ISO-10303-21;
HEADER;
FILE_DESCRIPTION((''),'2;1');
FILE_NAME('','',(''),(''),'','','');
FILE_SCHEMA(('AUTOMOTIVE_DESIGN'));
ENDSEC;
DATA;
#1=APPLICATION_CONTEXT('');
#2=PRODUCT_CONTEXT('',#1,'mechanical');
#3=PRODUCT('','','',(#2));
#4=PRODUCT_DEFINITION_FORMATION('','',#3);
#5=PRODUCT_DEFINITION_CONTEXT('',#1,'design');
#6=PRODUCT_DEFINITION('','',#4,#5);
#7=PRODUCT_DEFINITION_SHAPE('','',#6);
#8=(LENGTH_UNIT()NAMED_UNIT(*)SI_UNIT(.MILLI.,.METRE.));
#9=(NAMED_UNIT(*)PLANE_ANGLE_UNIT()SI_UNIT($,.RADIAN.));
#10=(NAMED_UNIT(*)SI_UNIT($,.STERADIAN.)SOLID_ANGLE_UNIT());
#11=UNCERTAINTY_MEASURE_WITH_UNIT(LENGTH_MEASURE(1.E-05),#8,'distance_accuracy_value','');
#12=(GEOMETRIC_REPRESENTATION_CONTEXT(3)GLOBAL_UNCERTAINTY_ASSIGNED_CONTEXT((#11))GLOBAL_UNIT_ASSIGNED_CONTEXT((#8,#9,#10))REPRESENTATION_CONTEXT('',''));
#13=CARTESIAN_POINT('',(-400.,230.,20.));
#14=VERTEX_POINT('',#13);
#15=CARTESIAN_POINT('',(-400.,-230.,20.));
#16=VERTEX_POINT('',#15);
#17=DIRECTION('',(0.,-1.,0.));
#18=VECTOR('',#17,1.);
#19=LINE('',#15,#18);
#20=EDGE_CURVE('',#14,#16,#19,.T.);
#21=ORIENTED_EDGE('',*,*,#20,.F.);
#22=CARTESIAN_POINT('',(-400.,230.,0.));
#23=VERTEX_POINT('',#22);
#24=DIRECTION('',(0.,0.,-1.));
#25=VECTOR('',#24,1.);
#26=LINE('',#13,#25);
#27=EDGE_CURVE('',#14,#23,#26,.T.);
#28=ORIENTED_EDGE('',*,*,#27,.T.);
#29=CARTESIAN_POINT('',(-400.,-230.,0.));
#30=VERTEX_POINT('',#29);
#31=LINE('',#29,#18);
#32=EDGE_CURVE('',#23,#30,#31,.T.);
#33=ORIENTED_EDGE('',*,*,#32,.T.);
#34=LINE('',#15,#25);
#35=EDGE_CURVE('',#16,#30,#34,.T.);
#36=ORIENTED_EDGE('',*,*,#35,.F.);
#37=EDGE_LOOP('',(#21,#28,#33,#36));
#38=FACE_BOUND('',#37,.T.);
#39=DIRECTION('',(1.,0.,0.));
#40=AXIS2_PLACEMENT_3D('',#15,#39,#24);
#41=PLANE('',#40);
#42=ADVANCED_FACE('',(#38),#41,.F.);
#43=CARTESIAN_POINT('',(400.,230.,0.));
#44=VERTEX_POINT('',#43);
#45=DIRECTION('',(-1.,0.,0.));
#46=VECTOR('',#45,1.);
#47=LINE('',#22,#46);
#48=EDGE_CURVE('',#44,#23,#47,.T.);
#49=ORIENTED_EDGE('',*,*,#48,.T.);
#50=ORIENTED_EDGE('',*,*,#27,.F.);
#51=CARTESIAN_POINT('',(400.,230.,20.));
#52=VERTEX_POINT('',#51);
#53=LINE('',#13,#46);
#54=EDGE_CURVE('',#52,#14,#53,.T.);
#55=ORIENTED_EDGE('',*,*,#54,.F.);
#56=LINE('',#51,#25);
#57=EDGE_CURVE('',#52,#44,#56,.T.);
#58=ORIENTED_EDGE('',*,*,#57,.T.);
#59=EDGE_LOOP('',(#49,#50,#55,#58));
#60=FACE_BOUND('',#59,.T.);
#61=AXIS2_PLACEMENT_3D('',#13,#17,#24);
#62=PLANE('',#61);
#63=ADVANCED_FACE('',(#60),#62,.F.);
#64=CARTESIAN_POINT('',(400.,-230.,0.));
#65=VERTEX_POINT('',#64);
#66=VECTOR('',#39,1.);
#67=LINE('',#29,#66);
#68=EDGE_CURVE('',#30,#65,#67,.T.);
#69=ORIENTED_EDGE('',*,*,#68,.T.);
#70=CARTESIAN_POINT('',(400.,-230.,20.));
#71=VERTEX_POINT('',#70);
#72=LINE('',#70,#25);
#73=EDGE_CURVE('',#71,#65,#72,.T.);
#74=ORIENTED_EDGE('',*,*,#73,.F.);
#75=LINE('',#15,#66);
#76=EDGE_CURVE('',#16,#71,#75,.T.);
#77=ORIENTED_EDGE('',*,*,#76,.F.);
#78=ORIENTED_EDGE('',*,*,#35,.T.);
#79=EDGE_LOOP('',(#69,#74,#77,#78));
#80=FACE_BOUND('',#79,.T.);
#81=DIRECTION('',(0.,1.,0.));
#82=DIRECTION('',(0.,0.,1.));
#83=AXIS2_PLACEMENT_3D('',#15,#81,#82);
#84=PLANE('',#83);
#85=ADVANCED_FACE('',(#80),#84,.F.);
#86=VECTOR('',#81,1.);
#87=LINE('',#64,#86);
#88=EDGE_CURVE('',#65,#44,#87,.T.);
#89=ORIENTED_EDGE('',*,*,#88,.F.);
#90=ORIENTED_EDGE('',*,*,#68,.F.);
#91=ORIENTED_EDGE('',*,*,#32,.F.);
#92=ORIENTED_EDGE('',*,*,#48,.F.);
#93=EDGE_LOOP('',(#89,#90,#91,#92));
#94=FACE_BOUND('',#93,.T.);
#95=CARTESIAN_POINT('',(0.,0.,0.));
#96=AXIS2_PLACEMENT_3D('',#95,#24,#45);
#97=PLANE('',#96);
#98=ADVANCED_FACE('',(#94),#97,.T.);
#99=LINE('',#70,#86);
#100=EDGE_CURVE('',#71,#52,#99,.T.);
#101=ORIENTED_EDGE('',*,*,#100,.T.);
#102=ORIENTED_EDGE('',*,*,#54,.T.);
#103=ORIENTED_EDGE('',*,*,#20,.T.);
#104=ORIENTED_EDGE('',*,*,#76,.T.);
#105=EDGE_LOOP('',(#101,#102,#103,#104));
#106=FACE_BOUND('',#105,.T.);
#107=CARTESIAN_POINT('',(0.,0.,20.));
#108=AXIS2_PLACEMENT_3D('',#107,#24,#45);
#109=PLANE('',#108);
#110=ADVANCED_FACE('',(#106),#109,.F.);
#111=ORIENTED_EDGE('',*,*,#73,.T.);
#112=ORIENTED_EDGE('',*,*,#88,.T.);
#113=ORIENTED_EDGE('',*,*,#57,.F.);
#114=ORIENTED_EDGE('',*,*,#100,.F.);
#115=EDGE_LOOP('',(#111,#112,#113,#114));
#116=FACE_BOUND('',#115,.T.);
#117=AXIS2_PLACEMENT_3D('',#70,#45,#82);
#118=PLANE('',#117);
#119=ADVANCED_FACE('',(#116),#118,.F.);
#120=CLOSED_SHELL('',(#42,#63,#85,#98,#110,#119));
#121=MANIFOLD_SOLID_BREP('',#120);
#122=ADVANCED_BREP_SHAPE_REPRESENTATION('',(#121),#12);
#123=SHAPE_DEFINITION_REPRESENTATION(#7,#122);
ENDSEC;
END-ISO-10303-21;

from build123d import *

# Parameters (mm, degrees)
FACADEANTERIEURE_W = 800
FACADEANTERIEURE_H = 460
BOSS_EXTRU_1_DEPTH = 20


with BuildPart() as part:
    # facadeanterieure → Boss.-Extru.1 (new body)
    with BuildSketch(Plane.XY):
        Rectangle(FACADEANTERIEURE_W, FACADEANTERIEURE_H)
    extrude(amount=BOSS_EXTRU_1_DEPTH)


solid = part.part
